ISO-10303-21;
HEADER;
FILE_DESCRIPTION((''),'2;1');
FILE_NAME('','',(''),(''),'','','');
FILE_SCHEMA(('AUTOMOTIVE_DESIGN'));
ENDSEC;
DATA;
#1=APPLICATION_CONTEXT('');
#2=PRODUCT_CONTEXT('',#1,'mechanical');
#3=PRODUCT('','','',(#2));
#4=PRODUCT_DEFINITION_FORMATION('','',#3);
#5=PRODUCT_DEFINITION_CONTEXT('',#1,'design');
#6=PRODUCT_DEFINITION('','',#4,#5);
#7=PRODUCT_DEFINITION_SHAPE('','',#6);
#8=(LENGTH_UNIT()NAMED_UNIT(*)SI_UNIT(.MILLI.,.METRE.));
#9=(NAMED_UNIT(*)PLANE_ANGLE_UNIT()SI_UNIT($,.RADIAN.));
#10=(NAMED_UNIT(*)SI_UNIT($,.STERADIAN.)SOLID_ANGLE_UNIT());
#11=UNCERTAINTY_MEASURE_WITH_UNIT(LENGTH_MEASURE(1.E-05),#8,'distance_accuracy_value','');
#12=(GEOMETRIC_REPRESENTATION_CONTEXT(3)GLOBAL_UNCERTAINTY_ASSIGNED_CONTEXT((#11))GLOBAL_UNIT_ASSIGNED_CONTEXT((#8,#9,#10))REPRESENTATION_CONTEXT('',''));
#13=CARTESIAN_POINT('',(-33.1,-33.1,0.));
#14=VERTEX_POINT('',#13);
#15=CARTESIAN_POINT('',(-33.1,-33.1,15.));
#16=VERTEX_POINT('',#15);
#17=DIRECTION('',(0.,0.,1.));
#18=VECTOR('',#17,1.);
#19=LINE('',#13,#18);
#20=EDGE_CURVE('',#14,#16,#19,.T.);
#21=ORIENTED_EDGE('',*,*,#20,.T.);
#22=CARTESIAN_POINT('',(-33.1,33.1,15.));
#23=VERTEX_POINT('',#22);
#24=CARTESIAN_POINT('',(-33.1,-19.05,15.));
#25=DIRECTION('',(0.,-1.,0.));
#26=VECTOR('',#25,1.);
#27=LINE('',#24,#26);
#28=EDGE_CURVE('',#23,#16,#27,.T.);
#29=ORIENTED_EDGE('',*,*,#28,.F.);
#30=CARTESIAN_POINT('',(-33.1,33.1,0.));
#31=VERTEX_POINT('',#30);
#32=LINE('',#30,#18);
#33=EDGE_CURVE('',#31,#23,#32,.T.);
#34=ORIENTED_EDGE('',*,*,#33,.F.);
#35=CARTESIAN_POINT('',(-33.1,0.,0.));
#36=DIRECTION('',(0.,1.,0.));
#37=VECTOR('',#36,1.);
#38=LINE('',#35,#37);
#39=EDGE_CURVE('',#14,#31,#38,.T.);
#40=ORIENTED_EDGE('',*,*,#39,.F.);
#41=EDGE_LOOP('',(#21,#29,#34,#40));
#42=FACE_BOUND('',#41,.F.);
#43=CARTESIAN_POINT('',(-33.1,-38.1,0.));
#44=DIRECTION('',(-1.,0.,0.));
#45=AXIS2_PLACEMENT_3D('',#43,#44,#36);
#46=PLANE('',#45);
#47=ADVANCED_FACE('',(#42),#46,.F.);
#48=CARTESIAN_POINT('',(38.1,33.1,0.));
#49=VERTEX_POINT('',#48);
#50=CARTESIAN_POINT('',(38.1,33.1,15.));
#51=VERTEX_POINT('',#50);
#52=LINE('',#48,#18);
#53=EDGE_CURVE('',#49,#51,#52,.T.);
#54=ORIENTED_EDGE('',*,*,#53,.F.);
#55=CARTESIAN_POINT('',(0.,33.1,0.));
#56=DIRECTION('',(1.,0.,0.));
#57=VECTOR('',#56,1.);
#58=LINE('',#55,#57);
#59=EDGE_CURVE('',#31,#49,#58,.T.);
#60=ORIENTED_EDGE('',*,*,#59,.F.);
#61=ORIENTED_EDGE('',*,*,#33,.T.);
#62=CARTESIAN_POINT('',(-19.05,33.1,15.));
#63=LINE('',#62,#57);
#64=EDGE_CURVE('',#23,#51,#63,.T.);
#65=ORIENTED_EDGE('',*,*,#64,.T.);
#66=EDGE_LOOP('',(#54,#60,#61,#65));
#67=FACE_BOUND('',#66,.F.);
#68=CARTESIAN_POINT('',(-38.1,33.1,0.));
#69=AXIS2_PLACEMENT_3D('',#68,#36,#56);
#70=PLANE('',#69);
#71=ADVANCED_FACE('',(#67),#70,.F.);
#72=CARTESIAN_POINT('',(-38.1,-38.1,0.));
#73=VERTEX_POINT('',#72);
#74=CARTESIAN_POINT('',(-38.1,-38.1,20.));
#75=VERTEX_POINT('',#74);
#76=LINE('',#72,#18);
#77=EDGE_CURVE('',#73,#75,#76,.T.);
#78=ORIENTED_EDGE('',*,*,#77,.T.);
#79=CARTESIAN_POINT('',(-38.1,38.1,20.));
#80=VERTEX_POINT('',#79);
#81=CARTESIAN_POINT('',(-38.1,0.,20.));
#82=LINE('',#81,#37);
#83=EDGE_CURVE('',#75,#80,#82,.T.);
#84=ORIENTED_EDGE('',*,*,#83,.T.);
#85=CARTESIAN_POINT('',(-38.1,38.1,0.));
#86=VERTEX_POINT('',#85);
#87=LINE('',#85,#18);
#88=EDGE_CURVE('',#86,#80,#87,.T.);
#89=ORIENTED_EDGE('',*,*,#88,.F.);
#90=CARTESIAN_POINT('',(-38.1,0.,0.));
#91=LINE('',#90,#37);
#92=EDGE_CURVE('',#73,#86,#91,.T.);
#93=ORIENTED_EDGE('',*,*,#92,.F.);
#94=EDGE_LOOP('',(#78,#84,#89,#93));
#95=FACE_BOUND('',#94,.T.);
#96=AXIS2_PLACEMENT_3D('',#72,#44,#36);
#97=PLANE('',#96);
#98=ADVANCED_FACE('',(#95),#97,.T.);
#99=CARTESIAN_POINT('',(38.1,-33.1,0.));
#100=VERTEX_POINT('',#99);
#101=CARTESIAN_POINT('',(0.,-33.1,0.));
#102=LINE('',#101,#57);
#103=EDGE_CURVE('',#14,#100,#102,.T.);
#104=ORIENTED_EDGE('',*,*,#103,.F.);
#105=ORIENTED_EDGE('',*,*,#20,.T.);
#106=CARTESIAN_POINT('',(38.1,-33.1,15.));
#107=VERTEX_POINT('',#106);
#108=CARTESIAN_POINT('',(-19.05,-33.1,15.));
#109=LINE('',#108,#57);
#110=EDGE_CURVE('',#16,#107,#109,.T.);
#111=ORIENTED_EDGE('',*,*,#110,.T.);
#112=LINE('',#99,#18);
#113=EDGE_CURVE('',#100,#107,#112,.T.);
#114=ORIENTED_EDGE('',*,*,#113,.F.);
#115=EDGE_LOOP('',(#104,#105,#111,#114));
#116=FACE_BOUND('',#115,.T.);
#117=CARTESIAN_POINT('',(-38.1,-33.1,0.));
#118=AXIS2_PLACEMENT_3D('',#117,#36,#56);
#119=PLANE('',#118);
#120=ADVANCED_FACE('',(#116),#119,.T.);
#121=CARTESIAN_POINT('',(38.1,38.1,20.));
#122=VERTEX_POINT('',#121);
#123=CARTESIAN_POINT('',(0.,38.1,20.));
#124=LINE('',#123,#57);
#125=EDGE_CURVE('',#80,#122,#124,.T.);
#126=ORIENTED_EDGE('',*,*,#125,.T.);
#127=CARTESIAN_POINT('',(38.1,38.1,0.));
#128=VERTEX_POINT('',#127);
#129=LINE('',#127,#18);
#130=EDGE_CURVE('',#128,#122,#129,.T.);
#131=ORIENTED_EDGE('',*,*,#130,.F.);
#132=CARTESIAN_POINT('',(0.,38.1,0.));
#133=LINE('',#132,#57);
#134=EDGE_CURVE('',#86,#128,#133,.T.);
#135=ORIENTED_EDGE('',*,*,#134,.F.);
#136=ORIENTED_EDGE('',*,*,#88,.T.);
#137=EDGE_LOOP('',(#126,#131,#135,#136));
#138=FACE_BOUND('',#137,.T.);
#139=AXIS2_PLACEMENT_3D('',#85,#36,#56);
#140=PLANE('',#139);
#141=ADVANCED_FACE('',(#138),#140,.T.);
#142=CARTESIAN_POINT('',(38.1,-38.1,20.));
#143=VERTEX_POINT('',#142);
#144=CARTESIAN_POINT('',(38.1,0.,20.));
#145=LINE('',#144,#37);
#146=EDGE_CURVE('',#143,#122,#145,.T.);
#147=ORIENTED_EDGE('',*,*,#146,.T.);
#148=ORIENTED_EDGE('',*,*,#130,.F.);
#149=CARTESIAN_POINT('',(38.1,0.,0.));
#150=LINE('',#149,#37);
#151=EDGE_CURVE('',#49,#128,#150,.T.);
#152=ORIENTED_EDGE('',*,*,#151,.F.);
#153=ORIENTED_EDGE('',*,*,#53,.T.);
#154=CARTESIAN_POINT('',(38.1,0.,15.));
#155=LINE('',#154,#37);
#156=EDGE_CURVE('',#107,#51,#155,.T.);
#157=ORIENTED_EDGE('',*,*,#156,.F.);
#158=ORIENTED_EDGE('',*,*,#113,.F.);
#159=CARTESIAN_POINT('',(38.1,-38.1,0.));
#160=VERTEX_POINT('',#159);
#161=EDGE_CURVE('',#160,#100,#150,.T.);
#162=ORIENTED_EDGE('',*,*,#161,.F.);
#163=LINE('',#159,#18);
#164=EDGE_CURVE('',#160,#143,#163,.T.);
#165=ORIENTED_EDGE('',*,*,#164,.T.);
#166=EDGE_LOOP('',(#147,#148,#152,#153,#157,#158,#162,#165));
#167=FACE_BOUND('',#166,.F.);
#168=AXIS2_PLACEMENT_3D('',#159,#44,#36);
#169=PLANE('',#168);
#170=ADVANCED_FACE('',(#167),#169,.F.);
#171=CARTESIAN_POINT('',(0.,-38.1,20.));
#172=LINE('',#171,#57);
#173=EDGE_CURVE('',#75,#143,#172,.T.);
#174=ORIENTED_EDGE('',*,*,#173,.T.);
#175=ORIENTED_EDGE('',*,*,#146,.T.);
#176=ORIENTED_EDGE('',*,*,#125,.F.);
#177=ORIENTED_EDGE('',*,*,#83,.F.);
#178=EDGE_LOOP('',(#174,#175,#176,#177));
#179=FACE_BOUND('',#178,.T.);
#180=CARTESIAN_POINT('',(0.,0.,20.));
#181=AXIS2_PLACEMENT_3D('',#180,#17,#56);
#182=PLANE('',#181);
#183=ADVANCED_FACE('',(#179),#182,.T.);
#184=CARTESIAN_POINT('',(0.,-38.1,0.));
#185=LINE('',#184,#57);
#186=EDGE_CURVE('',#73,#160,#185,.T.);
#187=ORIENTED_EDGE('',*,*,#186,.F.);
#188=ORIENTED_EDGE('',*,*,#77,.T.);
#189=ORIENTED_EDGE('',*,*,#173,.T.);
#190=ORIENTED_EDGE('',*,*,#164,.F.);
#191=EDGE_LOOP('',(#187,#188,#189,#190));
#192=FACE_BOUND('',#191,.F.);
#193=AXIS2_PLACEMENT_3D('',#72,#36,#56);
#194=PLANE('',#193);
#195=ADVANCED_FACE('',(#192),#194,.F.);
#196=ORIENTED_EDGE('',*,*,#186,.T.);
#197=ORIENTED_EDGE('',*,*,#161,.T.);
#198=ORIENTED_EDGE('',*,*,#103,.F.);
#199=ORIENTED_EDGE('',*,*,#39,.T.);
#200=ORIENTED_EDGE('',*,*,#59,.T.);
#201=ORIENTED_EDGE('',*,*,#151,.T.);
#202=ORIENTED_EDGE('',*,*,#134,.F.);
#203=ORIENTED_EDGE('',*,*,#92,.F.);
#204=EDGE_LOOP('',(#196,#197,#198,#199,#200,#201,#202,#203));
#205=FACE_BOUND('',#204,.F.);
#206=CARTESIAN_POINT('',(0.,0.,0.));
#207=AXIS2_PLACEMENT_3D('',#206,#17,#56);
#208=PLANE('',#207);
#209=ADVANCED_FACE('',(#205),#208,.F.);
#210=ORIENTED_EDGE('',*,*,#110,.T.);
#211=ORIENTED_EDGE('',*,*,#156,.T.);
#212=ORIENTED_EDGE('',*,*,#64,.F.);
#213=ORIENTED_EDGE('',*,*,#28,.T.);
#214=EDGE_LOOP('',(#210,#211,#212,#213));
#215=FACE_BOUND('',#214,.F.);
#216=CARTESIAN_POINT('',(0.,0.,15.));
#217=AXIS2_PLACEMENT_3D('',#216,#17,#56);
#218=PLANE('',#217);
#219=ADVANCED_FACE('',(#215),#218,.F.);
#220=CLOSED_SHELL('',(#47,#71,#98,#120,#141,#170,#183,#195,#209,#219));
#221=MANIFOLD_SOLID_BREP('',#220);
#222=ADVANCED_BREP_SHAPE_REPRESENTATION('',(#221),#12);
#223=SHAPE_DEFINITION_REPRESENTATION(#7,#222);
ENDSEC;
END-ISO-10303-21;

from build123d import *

# Parameters (mm, degrees)
F0_W     = 76.2
F0_H     = 76.2
F1_DEPTH = 20
F2_T     = -5


with BuildPart() as f1:
    # F0 (on Top) → F1 (new body)
    with BuildSketch(Plane.XY):
        Rectangle(F0_W, F0_H)
    extrude(amount=F1_DEPTH)

    # F2
    f2_openings = [f1.faces().sort_by_distance(p)[0] for p in [
        (0, 0, 0),
        (38.1, 0, 10),
    ]]
    offset(amount=F2_T, openings=f2_openings)


solid = f1.part
